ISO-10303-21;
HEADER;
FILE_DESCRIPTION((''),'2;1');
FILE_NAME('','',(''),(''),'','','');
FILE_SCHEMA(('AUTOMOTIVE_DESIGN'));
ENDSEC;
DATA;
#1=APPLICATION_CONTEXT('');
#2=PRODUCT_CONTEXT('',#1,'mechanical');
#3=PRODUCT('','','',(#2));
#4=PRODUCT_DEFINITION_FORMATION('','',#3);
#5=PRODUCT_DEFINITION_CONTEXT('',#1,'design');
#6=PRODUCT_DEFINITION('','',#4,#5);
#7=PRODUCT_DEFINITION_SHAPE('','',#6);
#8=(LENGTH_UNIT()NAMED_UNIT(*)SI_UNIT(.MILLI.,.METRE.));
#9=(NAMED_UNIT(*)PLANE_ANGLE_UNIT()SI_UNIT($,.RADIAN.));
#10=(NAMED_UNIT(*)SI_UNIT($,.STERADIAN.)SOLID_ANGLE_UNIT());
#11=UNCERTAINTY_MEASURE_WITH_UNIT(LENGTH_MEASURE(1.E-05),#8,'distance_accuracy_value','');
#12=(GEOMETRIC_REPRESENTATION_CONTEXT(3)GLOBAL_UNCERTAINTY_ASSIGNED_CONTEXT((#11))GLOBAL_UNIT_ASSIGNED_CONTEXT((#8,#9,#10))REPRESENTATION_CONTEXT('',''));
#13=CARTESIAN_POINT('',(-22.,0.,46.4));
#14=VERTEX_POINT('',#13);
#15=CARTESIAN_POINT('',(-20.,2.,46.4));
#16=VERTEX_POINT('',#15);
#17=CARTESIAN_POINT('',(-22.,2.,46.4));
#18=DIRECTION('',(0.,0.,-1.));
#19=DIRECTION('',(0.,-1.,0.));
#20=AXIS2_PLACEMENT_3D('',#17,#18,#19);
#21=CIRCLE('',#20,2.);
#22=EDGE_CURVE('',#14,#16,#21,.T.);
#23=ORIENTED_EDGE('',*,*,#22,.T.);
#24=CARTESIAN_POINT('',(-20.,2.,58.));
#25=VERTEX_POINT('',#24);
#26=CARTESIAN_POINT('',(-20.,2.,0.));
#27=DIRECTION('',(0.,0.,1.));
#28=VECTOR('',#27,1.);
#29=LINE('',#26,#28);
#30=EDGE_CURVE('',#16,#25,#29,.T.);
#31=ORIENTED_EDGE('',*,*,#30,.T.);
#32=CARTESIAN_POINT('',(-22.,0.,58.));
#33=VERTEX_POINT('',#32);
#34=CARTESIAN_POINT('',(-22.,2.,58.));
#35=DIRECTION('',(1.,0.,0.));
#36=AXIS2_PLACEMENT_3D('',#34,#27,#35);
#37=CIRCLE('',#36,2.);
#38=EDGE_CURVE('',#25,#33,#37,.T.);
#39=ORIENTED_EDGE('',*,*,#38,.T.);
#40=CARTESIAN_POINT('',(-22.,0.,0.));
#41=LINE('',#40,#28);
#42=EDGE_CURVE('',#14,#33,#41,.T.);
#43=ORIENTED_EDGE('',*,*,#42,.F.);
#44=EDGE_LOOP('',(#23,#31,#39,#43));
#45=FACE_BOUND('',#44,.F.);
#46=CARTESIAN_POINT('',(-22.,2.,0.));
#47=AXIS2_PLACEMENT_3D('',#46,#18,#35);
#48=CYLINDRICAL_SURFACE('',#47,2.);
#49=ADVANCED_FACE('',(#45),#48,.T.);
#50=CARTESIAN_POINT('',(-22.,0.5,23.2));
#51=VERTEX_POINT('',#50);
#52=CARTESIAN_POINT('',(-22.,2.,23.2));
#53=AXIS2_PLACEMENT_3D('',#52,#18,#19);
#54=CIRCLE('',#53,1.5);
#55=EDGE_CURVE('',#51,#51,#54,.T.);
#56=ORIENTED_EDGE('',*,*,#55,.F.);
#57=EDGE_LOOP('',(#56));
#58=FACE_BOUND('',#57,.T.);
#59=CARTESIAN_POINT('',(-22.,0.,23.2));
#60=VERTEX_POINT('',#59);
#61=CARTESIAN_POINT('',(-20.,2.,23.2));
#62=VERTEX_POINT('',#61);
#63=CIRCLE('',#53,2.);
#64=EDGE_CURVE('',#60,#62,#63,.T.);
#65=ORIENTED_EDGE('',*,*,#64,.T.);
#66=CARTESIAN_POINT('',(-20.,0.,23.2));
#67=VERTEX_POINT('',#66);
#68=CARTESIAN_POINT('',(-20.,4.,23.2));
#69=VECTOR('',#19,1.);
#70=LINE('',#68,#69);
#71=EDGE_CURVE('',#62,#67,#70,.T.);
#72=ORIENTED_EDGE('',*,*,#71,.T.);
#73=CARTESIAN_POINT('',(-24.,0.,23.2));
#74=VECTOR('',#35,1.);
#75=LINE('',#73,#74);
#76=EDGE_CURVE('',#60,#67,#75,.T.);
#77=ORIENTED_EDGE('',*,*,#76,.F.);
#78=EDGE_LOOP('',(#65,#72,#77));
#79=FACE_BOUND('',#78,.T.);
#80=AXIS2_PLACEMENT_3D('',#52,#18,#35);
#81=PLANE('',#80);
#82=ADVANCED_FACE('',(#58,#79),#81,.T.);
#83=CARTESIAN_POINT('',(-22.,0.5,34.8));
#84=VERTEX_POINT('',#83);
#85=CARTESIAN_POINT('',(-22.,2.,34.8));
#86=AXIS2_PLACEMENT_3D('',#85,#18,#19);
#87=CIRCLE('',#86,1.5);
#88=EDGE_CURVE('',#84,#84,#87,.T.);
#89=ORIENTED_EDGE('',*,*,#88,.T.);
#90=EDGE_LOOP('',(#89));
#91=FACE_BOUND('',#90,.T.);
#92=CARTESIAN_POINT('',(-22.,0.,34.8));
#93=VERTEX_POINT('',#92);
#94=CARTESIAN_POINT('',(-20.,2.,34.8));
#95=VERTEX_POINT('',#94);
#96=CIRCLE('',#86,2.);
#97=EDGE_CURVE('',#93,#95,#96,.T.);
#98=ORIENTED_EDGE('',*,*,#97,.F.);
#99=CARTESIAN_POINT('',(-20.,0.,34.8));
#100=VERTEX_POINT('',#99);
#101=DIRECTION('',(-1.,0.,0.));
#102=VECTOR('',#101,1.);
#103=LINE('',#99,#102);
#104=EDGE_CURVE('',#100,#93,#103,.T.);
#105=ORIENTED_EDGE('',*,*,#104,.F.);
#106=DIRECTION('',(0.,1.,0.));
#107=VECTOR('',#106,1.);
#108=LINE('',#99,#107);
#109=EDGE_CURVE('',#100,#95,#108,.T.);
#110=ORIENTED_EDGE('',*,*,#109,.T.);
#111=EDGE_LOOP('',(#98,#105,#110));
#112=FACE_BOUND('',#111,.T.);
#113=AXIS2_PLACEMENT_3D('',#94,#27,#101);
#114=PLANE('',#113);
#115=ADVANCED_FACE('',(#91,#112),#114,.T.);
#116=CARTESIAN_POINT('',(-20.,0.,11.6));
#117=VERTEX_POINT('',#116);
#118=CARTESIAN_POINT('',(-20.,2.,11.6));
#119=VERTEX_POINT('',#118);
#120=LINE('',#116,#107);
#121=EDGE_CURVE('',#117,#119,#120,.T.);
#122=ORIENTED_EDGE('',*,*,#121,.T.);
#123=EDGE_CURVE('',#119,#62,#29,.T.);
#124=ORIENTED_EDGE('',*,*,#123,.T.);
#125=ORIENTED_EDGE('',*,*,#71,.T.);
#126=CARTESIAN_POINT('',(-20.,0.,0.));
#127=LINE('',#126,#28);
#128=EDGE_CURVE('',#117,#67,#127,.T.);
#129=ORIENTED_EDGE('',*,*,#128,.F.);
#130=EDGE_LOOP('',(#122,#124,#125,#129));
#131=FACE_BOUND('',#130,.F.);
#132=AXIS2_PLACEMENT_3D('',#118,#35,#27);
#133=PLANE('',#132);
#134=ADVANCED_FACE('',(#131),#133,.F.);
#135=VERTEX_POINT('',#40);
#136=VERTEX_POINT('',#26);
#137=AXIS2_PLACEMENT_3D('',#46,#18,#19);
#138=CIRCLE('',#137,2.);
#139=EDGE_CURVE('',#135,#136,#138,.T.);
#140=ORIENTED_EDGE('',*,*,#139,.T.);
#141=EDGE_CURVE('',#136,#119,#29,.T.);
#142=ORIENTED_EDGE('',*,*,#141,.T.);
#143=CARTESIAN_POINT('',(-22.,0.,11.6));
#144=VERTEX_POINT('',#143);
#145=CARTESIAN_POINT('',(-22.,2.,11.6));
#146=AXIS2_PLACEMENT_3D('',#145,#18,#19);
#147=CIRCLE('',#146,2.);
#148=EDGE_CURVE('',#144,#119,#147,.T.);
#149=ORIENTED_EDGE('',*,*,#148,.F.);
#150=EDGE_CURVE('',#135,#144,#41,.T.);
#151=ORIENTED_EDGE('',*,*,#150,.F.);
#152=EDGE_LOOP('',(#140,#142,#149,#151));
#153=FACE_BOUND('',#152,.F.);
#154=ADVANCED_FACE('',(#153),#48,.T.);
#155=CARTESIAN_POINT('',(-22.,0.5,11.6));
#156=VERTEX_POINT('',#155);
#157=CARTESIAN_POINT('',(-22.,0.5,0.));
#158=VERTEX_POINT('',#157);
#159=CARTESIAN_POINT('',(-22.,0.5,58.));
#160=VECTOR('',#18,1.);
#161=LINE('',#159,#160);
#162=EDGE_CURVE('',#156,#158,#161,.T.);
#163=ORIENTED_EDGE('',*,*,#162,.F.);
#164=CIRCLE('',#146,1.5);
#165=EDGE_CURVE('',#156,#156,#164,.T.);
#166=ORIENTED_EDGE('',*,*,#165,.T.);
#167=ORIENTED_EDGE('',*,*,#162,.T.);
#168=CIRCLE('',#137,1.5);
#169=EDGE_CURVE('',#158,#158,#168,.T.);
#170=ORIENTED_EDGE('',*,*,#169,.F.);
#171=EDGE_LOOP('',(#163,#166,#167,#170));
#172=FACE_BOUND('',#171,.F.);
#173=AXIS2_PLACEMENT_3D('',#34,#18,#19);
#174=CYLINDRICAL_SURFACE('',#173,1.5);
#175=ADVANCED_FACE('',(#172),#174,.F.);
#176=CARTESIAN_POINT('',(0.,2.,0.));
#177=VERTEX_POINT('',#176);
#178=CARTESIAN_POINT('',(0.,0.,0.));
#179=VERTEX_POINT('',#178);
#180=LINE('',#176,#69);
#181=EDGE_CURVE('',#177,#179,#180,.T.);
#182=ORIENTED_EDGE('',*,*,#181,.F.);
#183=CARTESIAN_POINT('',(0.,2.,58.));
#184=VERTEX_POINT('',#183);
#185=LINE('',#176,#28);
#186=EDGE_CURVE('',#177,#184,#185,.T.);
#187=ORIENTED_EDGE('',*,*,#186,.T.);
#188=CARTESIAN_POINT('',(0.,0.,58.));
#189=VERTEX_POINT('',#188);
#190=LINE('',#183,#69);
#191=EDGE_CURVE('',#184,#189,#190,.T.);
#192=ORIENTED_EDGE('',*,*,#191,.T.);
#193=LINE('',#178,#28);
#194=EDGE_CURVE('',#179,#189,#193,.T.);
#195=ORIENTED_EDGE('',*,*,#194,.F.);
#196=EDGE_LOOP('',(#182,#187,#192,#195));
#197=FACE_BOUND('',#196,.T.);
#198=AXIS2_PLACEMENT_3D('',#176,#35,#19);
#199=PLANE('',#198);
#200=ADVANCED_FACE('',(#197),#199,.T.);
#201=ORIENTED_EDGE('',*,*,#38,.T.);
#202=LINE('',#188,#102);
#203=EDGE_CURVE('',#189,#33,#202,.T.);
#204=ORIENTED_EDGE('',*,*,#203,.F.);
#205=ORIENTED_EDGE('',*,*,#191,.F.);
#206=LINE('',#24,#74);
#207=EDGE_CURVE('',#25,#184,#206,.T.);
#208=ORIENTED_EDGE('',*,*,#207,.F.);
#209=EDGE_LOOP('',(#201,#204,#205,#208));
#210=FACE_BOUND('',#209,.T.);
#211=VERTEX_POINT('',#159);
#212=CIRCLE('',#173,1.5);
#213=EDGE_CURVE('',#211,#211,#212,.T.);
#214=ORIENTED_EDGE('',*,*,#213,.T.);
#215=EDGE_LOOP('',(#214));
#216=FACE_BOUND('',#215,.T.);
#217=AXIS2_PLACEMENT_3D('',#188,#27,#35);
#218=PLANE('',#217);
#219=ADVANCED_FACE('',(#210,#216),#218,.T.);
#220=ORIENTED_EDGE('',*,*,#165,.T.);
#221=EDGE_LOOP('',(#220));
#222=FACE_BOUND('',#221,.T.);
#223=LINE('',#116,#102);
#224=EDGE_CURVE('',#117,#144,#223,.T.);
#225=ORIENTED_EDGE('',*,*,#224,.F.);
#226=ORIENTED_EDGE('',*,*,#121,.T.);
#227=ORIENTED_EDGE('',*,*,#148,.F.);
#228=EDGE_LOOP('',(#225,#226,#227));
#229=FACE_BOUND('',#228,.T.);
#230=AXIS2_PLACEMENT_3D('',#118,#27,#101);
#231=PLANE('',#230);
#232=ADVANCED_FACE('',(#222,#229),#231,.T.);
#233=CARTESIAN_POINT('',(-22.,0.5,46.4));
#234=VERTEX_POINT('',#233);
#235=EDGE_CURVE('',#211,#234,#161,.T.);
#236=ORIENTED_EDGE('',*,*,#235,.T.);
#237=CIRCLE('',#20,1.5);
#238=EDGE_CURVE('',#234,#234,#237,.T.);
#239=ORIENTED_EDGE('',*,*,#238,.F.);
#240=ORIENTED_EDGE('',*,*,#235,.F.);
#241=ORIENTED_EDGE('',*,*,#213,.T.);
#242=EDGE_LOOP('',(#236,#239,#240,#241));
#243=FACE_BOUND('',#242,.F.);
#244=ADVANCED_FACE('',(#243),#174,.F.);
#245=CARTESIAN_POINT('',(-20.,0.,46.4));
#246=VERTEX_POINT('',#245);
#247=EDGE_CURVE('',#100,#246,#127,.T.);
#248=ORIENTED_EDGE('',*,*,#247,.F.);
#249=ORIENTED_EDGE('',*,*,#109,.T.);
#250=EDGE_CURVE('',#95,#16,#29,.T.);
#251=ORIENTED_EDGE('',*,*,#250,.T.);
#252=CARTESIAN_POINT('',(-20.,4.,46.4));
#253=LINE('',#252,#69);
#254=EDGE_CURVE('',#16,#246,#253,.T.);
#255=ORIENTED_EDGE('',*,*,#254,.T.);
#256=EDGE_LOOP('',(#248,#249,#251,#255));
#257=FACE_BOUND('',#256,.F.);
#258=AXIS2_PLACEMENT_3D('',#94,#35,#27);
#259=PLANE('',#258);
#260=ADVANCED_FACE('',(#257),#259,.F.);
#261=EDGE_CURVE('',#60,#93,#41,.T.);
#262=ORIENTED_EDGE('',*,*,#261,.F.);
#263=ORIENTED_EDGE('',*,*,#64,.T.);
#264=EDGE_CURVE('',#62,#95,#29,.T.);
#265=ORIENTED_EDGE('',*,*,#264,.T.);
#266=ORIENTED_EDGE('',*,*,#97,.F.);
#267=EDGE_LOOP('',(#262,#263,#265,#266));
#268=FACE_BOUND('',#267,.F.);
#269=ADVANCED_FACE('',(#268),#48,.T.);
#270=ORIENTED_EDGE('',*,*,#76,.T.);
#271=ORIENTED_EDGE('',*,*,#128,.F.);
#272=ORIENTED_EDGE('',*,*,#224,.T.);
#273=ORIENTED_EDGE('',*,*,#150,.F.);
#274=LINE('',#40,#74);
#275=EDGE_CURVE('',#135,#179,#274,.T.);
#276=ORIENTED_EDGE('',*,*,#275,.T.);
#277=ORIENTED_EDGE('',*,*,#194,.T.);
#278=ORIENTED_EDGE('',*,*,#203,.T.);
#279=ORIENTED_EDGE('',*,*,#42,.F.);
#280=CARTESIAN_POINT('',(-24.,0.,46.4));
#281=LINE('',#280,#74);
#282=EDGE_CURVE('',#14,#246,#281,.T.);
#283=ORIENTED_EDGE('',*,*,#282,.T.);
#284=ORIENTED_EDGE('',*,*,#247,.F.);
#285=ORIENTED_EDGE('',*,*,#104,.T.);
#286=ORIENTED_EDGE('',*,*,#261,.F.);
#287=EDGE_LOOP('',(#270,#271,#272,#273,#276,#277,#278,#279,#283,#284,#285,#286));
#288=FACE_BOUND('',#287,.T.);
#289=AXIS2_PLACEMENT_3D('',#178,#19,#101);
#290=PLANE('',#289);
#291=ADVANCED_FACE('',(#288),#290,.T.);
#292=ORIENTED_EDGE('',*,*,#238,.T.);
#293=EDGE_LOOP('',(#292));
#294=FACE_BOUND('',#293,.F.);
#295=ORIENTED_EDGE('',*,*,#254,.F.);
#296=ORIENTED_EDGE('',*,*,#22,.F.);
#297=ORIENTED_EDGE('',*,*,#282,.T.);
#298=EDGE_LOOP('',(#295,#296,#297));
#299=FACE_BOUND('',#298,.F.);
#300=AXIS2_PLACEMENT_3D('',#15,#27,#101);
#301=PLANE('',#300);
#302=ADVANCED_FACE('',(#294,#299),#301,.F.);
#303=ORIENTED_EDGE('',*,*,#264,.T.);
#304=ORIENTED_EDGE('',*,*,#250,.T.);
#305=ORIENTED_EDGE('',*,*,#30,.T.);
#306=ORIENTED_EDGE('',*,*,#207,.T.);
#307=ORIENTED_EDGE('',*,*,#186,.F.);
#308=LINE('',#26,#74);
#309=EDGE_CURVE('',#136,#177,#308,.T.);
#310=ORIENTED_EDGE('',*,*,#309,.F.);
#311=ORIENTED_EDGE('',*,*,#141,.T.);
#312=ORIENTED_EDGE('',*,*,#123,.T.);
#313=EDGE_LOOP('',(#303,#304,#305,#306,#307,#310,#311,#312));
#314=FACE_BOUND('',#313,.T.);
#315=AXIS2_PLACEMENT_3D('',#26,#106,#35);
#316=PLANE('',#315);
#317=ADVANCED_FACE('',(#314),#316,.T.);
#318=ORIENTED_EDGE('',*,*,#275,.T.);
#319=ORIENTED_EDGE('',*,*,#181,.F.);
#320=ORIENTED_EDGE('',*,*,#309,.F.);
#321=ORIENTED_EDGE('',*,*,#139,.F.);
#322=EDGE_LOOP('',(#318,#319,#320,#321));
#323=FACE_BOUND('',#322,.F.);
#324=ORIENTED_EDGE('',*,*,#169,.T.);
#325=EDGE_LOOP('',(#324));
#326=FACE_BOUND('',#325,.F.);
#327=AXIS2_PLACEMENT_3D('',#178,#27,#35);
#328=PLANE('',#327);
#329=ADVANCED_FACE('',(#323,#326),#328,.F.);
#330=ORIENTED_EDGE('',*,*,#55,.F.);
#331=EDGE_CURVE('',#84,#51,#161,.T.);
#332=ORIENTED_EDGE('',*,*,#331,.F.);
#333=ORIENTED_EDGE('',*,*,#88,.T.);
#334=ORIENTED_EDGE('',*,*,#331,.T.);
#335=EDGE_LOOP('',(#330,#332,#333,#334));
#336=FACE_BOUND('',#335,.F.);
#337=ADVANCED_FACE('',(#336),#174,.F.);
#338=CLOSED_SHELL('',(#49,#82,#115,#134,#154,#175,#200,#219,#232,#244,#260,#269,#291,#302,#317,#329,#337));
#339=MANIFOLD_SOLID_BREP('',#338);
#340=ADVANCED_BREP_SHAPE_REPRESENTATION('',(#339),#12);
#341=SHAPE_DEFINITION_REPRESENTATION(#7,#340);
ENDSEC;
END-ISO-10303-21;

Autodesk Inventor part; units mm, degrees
ref_plane "YZ Plane" through (0, 0, 0) normal (1, 0, 0) x (0, 1, 0)
ref_plane "XZ Plane" through (0, 0, 0) normal (0, 1, 0) x (-1, 0, 0)
ref_plane "XY Plane" through (0, 0, 0) normal (0, 0, 1) x (1, 0, 0)
sketch "Sketch1" plane through (0, 0, 0) normal (0, 0, 1) x (1, 0, 0)
  line L0 (0, 0) -> (-20, 0)
  line L1 (-20, 0) -> (-20, 2)
  line L2 (-20, 2) -> (0, 2)
  line L3 (0, 2) -> (0, 0)
  line L4 (-20, 2) -> (-22, 2)
  line L5 (-22, 2) -> (-22, 4)
  circle A0 centre (-22, 2) radius 2
  line L6 (-22, 0) -> (-20, 0)
  dimension "d0" = 20
  dimension "d1" = 2
  dimension "d2" = 2
  dimension "d3" = 2
extrude "Extrusion1" add sketch "Sketch1" along normal blind 58
sketch "Sketch2" plane through (-20, 2, 0) normal (0, 1, 0) x (1, 0, 0)
  line L0 (0, 0) -> (-2, 0) projected
  line L1 (-2, 0) -> (-2, -58) projected
  line L2 (0, -58) -> (-2, -58) projected
  line L3 (0, 0) -> (0, -58) projected
  line L4 (20, 0) -> (0, 0) projected
  line L5 (0, 0) -> (0, -58) projected
  line L6 (20, -58) -> (0, -58) projected
  line L7 (20, 0) -> (20, -58) projected
  line L8 (-4, -58) -> (0, -58) projected
  line L9 (-4, -58) -> (0, -58)
  line L10 (0, -58) -> (0, -46.4)
  line L11 (0, -46.4) -> (-4, -46.4)
  line L12 (-4, -46.4) -> (-4, -58)
  line L13 (-4, -46.4) -> (0, -46.4)
  line L14 (0, -46.4) -> (0, -34.8)
  line L15 (0, -34.8) -> (-4, -34.8)
  line L16 (-4, -34.8) -> (-4, -46.4)
  line L17 (-4, 0) -> (-4, -58) projected
  line L18 (0, -34.8) -> (-4, -34.8)
  line L19 (-4, -34.8) -> (-4, -23.2)
  line L20 (-4, -23.2) -> (0, -23.2)
  line L21 (0, -23.2) -> (0, -34.8)
  line L22 (-4, -23.2) -> (0, -23.2)
  line L23 (0, -23.2) -> (0, -11.6)
  line L24 (0, -11.6) -> (-4, -11.6)
  line L25 (-4, -11.6) -> (-4, -23.2)
  line L26 (0, -11.6) -> (-4, -11.6)
  line L27 (-4, -11.6) -> (-4, 0)
  line L28 (-4, 0) -> (0, 0)
  line L29 (0, 0) -> (0, -11.6)
  point P0 (0, -11.6)
  point P1 (-4, -11.6)
  point P2 (0, -23.2)
  dimension "d6" = 11.6
  dimension "d7" = 11.6
  dimension "d8" = 11.6
  dimension "d9" = 11.6
extrude "Extrusion2" cut sketch "Sketch2" along normal mid plane 4 contours L3 L20 L1 L24 | L1 L20 L17 L24 | L3 L11 L1 L15 | L1 L11 L16 L15
sketch "Sketch3" plane through (0, 0, 58) normal (0, 0, 1) x (1, 0, 0)
  line L0 (-22, 0) -> (0, 0) projected
  line L1 (0, 0) -> (0, 2) projected
  line L2 (0, 2) -> (-20, 2) projected
  arc A0 (-20, 2) -> (-22, 0) centre (-22, 2) ccw projected
hole "Hole1" at (-22, 2, 58) direction (0, 0, -1) diameter 3 end through all
properties part number "SchnierTeilA_CPY"
